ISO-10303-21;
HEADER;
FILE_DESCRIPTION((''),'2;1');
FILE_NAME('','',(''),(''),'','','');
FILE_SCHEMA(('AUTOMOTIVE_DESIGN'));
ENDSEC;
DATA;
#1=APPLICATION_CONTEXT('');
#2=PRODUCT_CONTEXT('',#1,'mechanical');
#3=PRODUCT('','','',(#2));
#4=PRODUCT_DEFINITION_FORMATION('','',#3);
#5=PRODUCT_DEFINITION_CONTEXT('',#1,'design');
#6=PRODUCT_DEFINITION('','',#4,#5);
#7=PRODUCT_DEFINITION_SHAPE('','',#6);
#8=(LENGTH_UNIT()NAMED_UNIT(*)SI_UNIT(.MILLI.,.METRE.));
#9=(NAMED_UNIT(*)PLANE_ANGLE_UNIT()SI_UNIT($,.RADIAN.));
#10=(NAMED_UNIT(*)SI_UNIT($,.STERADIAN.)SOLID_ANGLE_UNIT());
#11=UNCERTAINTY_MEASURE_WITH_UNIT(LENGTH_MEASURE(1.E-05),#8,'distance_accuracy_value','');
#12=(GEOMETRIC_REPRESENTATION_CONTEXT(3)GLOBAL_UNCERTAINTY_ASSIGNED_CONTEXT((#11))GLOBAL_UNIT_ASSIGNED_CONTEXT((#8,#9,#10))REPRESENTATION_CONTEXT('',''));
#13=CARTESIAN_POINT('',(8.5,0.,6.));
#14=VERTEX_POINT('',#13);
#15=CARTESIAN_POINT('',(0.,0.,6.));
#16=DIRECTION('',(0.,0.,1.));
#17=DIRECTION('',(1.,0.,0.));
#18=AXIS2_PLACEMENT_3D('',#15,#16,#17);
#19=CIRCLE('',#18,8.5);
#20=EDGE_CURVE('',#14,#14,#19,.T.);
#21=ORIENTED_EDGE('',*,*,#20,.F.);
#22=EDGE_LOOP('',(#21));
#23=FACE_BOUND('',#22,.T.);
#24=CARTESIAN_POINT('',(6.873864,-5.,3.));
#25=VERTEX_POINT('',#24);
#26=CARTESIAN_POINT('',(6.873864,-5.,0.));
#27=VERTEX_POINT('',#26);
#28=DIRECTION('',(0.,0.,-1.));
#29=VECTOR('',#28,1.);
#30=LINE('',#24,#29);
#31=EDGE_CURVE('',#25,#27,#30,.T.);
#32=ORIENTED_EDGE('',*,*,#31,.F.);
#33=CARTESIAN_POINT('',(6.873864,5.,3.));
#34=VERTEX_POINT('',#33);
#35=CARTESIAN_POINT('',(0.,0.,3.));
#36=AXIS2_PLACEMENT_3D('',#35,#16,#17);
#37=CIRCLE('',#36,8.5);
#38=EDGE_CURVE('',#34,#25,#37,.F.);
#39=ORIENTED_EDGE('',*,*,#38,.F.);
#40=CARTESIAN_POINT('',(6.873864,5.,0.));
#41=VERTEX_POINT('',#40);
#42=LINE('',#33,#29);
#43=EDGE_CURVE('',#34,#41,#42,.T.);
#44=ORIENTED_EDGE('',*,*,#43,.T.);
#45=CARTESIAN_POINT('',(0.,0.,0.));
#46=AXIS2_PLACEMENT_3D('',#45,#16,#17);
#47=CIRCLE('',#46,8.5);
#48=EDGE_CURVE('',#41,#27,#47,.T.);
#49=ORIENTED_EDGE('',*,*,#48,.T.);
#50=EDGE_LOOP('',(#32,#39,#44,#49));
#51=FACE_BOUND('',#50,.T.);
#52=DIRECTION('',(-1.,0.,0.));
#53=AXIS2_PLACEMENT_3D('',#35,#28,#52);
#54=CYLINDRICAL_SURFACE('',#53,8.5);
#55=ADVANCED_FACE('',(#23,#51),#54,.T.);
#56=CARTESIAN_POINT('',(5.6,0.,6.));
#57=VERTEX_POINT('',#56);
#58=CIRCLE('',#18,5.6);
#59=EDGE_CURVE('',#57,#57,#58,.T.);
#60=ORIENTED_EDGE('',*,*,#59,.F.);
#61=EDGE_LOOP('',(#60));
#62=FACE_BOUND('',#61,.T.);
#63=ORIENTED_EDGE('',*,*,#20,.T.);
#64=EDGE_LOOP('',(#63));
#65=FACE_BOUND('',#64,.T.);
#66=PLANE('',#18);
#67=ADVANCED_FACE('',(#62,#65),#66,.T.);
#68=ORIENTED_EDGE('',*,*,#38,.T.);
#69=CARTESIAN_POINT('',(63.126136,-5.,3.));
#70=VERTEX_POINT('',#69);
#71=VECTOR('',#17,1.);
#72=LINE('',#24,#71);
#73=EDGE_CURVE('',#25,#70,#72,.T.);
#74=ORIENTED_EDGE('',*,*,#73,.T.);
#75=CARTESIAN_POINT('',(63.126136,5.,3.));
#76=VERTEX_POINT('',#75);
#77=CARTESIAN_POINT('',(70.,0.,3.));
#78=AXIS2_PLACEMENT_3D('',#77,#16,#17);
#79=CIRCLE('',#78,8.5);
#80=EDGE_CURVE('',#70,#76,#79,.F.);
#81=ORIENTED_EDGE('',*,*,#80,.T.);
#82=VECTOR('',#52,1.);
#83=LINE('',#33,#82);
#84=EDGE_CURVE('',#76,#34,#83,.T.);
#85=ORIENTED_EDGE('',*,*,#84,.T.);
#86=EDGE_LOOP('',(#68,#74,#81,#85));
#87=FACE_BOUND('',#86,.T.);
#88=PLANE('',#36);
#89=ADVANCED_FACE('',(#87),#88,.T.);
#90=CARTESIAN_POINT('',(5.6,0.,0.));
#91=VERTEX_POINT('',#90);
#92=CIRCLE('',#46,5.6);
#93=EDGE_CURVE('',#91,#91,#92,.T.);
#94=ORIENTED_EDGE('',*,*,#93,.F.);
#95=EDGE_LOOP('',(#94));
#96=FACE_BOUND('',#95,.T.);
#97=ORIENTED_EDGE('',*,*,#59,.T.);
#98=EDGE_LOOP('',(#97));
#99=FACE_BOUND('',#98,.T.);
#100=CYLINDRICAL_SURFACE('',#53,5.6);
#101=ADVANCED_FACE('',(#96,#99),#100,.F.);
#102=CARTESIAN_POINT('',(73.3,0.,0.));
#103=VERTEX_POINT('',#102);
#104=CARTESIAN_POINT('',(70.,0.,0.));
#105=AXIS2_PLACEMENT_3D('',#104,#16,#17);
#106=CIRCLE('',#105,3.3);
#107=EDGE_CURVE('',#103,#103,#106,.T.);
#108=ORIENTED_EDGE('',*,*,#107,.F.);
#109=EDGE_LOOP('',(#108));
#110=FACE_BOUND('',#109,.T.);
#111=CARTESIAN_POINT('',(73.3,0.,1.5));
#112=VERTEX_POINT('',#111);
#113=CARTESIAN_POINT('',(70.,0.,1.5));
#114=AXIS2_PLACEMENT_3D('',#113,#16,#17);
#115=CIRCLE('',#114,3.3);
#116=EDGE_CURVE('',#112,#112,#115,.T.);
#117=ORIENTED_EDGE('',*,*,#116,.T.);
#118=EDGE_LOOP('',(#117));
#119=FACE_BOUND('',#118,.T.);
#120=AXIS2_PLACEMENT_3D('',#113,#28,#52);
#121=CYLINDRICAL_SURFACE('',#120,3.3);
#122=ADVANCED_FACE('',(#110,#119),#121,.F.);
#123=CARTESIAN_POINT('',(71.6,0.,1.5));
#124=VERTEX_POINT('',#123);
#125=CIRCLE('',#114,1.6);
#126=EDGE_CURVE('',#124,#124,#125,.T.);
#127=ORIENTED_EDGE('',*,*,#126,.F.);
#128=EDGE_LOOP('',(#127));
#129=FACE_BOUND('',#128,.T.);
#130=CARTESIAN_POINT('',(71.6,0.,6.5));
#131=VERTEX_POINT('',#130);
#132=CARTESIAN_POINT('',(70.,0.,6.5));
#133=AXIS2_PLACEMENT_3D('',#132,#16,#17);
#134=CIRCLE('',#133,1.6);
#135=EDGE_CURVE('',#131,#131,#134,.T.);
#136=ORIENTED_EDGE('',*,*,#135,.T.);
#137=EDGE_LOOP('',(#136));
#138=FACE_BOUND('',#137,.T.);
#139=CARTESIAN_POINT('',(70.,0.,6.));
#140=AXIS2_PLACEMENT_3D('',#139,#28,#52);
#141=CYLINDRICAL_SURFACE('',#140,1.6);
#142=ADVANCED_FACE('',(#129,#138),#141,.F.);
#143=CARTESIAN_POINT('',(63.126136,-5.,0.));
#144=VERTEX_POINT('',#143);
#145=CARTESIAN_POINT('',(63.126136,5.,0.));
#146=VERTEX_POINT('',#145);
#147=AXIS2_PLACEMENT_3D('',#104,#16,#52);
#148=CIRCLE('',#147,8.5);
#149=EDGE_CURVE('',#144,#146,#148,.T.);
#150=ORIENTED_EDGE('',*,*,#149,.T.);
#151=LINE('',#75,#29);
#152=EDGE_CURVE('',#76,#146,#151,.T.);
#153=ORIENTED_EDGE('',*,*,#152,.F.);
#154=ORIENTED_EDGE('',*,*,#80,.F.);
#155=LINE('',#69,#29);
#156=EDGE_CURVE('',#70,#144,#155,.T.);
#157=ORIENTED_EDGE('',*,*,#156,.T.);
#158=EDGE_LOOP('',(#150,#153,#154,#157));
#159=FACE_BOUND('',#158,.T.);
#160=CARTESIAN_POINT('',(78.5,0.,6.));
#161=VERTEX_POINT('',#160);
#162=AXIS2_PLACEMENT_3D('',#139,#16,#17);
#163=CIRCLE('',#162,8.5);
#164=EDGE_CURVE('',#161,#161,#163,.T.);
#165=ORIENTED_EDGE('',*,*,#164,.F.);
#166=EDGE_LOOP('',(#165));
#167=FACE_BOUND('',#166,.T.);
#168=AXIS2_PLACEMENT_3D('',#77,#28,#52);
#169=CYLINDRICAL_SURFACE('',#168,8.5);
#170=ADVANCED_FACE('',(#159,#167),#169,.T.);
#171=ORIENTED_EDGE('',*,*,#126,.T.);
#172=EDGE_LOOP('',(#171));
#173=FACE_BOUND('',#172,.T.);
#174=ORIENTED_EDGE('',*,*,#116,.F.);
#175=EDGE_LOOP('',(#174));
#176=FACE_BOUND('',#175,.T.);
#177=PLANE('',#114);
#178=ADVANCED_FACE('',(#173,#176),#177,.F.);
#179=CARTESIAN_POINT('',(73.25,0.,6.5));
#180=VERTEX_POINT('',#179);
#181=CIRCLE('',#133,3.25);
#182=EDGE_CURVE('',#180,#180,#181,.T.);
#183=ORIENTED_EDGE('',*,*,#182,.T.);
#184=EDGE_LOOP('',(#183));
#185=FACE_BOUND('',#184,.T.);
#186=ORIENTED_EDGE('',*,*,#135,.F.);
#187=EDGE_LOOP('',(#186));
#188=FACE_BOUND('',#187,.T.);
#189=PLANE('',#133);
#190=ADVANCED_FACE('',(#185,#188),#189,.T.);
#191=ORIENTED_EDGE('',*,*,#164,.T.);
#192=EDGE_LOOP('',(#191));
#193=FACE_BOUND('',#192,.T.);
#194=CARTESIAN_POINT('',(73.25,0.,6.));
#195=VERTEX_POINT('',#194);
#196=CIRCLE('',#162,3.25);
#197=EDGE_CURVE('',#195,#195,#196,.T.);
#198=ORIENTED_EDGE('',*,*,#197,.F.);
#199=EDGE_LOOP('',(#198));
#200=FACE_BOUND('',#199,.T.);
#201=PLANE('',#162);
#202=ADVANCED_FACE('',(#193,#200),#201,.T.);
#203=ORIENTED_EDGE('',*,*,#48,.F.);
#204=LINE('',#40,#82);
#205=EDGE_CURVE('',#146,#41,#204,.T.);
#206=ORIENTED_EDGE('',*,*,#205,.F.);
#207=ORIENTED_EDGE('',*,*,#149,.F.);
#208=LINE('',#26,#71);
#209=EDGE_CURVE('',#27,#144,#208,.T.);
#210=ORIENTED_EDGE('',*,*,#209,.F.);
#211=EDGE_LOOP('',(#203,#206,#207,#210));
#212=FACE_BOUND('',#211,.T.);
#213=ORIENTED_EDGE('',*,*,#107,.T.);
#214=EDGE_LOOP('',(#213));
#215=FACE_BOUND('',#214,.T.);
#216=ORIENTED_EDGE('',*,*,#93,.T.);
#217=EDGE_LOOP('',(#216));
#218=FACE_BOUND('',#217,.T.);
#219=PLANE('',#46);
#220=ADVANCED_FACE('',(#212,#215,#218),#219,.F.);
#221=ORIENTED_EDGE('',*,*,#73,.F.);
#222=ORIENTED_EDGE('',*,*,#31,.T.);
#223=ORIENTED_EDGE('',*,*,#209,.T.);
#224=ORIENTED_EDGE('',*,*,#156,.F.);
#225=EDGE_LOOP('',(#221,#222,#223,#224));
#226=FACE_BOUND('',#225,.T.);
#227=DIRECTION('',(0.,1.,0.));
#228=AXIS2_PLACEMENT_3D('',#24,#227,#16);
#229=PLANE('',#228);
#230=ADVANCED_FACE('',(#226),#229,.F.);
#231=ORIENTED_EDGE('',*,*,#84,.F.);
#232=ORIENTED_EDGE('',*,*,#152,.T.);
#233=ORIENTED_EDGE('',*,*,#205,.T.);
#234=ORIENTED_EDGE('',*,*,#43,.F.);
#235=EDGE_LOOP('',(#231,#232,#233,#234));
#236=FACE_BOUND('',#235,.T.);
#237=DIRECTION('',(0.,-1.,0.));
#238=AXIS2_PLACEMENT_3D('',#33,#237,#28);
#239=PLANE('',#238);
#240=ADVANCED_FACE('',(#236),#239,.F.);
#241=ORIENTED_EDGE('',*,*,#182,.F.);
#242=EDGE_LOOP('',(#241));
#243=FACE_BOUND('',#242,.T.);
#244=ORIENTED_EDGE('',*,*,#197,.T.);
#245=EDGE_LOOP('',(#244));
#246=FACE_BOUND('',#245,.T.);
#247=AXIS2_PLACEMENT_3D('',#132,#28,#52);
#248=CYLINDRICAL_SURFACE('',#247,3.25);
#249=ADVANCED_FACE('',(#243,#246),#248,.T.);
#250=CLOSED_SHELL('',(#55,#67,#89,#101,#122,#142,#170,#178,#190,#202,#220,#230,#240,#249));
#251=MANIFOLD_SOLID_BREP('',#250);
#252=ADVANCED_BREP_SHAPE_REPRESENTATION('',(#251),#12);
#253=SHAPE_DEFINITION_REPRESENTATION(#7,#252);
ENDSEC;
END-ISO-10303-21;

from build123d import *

# Parameters (mm, degrees)
SKETCH1_R           = 5.6
BOSS_EXTRUDE1_DEPTH = 3
SKETCH2_R           = 8.5
SKETCH2_R_2         = 5.6
BOSS_EXTRUDE2_DEPTH = 6
SKETCH3_R           = 8.5
BOSS_EXTRUDE3_DEPTH = 6
SKETCH4_R           = 1.6
CUT_EXTRUDE1_DEPTH  = 80.186488747
SKETCH5_R           = 3.3
CUT_EXTRUDE2_DEPTH  = 1.5
BOSS_EXTRUDE4_START = 6
SKETCH6_R           = 3.25
SKETCH6_R_2         = 1.6
BOSS_EXTRUDE4_DEPTH = 0.5


with BuildPart() as part:
    # Sketch1 → Boss-Extrude1 (new body)
    with BuildSketch(Plane.XY):
        with BuildLine():
            Line((6.873863542, 5), (63.126136458, 5))
            ThreePointArc((63.126136458, 5), (78.5, 0), (63.126136458, -5))
            Line((63.126136458, -5), (6.873863542, -5))
            ThreePointArc((6.873863542, -5), (-8.5, 0), (6.873863542, 5))
        make_face()
        Circle(SKETCH1_R, mode=Mode.SUBTRACT)
    extrude(amount=BOSS_EXTRUDE1_DEPTH)

    # Sketch2 → Boss-Extrude2 (add)
    with BuildSketch(Plane.XY):
        with Locations(Location((0, 0, 0), (0, 0, 323.968120928))):
            Circle(SKETCH2_R)
        Circle(SKETCH2_R_2, mode=Mode.SUBTRACT)
    extrude(amount=BOSS_EXTRUDE2_DEPTH)

    # Sketch3 → Boss-Extrude3 (add)
    with BuildSketch(Plane.XY):
        with Locations(Location((70, 0, 0), (0, 0, 216.031879072))):
            Circle(SKETCH3_R)
    extrude(amount=BOSS_EXTRUDE3_DEPTH)

    # Sketch4 → Cut-Extrude1 (cut, through all)
    with BuildSketch(Plane.XY):
        with Locations((70, 0)):
            Circle(SKETCH4_R)
    extrude(amount=CUT_EXTRUDE1_DEPTH, mode=Mode.SUBTRACT)

    # Sketch5 → Cut-Extrude2 (cut)
    with BuildSketch(Plane.XY):
        with Locations((70, 0)):
            Circle(SKETCH5_R)
    extrude(amount=CUT_EXTRUDE2_DEPTH, mode=Mode.SUBTRACT)

    # Sketch6 → Boss-Extrude4 (add)
    with BuildSketch(Plane.XY.offset(BOSS_EXTRUDE4_START)):
        with Locations((70, 0)):
            Circle(SKETCH6_R)
        with Locations((70, 0)):
            Circle(SKETCH6_R_2, mode=Mode.SUBTRACT)
    extrude(amount=BOSS_EXTRUDE4_DEPTH)


solid = part.part
